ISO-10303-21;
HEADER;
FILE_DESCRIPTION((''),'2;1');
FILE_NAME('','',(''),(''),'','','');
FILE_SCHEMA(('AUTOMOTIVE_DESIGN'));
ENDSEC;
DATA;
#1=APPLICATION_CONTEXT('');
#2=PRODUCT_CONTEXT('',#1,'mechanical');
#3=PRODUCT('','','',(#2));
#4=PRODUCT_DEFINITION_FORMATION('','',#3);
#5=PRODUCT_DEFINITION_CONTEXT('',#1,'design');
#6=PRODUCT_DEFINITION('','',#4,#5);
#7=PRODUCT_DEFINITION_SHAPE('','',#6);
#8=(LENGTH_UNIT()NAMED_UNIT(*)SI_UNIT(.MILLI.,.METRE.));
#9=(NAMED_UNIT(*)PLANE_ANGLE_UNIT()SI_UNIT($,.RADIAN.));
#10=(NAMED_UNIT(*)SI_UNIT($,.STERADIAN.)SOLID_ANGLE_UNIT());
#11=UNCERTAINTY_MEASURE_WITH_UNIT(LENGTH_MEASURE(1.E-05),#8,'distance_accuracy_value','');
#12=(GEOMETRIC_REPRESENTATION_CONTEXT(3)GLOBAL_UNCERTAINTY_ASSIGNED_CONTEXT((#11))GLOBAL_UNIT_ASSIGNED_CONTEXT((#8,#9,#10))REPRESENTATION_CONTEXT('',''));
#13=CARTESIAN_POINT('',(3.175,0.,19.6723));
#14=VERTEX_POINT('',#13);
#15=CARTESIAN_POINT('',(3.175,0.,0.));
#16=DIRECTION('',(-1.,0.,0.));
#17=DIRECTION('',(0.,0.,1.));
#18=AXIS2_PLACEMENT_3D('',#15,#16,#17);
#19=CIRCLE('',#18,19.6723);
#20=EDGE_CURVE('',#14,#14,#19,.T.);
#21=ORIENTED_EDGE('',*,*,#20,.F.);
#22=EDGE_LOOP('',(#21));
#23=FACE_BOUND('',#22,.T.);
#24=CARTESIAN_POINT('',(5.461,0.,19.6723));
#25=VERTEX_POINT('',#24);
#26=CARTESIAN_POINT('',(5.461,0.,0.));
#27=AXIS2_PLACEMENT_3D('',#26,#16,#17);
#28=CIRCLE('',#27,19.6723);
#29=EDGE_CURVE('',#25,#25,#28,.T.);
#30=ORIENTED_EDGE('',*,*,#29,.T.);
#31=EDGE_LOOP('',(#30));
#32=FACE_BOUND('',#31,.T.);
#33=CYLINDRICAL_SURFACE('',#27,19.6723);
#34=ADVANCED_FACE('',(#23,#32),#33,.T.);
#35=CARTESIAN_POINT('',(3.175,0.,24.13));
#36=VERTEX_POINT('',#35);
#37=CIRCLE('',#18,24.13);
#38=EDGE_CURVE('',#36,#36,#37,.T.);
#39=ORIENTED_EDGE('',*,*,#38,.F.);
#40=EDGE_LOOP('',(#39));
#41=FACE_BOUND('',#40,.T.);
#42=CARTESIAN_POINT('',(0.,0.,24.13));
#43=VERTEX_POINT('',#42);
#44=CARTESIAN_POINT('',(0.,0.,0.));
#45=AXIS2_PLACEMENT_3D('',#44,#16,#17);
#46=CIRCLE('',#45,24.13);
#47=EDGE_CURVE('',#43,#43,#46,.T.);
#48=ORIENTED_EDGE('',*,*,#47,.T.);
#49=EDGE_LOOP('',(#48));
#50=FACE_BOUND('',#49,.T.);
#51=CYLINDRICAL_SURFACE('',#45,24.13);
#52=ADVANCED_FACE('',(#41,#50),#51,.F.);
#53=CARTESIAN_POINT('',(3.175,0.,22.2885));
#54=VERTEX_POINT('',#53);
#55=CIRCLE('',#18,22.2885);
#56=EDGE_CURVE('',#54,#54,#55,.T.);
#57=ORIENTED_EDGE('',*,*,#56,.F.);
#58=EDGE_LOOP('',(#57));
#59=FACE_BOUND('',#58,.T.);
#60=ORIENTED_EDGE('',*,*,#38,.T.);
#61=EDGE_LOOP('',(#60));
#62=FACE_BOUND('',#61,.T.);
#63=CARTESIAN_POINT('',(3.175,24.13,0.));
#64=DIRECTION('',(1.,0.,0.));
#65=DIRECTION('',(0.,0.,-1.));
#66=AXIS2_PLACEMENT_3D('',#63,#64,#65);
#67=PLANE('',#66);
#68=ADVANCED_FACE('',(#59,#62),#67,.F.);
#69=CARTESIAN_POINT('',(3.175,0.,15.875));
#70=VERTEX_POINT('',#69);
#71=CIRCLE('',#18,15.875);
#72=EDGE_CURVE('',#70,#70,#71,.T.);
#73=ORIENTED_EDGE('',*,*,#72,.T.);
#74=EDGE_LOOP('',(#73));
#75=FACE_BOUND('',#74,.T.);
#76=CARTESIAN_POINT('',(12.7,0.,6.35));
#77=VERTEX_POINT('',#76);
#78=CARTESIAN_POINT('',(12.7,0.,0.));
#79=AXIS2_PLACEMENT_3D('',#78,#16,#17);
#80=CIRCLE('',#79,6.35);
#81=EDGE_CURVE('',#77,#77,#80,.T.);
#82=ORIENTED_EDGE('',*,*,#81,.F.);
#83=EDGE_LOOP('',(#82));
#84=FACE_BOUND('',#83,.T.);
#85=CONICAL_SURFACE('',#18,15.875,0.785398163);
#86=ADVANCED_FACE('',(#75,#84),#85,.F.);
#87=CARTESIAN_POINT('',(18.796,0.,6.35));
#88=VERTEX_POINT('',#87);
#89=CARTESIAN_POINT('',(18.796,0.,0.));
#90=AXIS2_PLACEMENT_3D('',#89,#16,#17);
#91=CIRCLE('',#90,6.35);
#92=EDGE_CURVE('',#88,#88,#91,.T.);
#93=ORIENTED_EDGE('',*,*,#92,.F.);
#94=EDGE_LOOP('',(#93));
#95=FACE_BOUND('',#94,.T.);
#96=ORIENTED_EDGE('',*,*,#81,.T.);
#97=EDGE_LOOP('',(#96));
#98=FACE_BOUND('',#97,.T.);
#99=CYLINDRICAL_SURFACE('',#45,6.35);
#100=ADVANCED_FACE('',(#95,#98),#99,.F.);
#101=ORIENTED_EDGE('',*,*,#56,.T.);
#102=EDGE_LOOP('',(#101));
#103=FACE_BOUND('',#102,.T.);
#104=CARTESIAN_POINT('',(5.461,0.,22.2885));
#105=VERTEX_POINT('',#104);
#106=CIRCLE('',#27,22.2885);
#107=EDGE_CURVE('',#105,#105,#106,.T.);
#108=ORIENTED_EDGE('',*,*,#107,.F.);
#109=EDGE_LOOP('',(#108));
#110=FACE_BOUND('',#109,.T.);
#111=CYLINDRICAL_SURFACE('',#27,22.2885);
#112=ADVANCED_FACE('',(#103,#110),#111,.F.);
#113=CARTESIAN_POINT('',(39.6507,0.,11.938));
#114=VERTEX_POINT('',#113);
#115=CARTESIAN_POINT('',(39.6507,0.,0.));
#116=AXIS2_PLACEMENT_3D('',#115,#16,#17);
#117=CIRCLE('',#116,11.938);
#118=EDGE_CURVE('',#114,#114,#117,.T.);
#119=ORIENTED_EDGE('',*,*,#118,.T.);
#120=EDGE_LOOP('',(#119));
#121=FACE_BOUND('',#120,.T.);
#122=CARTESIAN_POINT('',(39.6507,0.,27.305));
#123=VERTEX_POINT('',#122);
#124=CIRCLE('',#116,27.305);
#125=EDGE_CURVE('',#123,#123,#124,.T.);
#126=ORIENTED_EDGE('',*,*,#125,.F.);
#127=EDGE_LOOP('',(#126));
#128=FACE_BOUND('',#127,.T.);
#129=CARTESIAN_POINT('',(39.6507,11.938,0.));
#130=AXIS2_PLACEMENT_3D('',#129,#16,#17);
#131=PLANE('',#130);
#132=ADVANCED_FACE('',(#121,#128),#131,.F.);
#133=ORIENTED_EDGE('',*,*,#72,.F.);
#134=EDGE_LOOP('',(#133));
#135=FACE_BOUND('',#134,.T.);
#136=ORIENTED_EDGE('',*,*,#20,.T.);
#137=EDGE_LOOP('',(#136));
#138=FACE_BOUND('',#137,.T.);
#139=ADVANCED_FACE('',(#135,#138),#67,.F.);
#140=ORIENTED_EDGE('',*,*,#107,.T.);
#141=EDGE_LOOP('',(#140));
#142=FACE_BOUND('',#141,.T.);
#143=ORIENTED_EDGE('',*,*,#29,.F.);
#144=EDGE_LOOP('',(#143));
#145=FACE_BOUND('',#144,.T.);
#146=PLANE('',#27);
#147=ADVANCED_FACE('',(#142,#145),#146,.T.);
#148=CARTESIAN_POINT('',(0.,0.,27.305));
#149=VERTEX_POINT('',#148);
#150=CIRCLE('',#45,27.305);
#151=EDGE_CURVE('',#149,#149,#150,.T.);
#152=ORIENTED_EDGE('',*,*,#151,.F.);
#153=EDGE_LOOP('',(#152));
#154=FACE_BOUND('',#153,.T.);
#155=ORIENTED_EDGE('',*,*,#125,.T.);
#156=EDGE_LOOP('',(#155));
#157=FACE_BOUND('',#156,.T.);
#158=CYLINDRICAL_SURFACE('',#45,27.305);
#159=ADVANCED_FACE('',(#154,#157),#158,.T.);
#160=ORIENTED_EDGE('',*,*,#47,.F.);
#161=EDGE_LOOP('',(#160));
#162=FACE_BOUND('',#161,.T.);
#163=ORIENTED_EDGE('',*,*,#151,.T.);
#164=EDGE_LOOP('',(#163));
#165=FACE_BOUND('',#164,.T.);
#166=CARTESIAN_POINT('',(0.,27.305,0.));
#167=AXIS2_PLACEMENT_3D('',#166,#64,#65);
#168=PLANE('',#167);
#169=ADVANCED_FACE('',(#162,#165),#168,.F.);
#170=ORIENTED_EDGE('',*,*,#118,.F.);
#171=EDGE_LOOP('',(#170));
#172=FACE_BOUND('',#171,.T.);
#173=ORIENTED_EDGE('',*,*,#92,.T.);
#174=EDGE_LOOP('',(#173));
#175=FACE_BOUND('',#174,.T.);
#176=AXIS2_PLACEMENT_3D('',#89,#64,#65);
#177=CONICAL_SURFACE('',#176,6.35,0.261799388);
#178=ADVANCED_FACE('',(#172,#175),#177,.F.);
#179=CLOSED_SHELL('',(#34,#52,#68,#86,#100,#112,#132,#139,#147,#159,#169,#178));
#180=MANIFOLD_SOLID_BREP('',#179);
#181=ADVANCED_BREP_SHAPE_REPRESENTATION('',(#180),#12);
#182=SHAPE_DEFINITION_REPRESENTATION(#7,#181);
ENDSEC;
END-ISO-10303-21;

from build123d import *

# Parameters (mm, degrees)
SKETCH2_R          = 22.2885
SKETCH2_R_2        = 19.6723
CUT_EXTRUDE1_DEPTH = 2.286


with BuildPart() as part:
    # Sketch1 → Revolve1 (revolve)
    with BuildSketch(Plane.XY):
        Polygon((0, 24.13), (3.175, 24.13), (3.175, 15.875), (12.7, 6.35), (18.796, 6.35), (39.650699913, 11.938), (39.650699913, 27.305), (0, 27.305), align=None)
    revolve(axis=Axis((0, 0, 0), (1, 0, 0)))

    # Sketch2 → Cut-Extrude1 (cut)
    with BuildSketch(Plane.ZY.offset(-3.175)):
        Circle(SKETCH2_R)
        Circle(SKETCH2_R_2, mode=Mode.SUBTRACT)
    extrude(amount=-CUT_EXTRUDE1_DEPTH, mode=Mode.SUBTRACT)


solid = part.part
